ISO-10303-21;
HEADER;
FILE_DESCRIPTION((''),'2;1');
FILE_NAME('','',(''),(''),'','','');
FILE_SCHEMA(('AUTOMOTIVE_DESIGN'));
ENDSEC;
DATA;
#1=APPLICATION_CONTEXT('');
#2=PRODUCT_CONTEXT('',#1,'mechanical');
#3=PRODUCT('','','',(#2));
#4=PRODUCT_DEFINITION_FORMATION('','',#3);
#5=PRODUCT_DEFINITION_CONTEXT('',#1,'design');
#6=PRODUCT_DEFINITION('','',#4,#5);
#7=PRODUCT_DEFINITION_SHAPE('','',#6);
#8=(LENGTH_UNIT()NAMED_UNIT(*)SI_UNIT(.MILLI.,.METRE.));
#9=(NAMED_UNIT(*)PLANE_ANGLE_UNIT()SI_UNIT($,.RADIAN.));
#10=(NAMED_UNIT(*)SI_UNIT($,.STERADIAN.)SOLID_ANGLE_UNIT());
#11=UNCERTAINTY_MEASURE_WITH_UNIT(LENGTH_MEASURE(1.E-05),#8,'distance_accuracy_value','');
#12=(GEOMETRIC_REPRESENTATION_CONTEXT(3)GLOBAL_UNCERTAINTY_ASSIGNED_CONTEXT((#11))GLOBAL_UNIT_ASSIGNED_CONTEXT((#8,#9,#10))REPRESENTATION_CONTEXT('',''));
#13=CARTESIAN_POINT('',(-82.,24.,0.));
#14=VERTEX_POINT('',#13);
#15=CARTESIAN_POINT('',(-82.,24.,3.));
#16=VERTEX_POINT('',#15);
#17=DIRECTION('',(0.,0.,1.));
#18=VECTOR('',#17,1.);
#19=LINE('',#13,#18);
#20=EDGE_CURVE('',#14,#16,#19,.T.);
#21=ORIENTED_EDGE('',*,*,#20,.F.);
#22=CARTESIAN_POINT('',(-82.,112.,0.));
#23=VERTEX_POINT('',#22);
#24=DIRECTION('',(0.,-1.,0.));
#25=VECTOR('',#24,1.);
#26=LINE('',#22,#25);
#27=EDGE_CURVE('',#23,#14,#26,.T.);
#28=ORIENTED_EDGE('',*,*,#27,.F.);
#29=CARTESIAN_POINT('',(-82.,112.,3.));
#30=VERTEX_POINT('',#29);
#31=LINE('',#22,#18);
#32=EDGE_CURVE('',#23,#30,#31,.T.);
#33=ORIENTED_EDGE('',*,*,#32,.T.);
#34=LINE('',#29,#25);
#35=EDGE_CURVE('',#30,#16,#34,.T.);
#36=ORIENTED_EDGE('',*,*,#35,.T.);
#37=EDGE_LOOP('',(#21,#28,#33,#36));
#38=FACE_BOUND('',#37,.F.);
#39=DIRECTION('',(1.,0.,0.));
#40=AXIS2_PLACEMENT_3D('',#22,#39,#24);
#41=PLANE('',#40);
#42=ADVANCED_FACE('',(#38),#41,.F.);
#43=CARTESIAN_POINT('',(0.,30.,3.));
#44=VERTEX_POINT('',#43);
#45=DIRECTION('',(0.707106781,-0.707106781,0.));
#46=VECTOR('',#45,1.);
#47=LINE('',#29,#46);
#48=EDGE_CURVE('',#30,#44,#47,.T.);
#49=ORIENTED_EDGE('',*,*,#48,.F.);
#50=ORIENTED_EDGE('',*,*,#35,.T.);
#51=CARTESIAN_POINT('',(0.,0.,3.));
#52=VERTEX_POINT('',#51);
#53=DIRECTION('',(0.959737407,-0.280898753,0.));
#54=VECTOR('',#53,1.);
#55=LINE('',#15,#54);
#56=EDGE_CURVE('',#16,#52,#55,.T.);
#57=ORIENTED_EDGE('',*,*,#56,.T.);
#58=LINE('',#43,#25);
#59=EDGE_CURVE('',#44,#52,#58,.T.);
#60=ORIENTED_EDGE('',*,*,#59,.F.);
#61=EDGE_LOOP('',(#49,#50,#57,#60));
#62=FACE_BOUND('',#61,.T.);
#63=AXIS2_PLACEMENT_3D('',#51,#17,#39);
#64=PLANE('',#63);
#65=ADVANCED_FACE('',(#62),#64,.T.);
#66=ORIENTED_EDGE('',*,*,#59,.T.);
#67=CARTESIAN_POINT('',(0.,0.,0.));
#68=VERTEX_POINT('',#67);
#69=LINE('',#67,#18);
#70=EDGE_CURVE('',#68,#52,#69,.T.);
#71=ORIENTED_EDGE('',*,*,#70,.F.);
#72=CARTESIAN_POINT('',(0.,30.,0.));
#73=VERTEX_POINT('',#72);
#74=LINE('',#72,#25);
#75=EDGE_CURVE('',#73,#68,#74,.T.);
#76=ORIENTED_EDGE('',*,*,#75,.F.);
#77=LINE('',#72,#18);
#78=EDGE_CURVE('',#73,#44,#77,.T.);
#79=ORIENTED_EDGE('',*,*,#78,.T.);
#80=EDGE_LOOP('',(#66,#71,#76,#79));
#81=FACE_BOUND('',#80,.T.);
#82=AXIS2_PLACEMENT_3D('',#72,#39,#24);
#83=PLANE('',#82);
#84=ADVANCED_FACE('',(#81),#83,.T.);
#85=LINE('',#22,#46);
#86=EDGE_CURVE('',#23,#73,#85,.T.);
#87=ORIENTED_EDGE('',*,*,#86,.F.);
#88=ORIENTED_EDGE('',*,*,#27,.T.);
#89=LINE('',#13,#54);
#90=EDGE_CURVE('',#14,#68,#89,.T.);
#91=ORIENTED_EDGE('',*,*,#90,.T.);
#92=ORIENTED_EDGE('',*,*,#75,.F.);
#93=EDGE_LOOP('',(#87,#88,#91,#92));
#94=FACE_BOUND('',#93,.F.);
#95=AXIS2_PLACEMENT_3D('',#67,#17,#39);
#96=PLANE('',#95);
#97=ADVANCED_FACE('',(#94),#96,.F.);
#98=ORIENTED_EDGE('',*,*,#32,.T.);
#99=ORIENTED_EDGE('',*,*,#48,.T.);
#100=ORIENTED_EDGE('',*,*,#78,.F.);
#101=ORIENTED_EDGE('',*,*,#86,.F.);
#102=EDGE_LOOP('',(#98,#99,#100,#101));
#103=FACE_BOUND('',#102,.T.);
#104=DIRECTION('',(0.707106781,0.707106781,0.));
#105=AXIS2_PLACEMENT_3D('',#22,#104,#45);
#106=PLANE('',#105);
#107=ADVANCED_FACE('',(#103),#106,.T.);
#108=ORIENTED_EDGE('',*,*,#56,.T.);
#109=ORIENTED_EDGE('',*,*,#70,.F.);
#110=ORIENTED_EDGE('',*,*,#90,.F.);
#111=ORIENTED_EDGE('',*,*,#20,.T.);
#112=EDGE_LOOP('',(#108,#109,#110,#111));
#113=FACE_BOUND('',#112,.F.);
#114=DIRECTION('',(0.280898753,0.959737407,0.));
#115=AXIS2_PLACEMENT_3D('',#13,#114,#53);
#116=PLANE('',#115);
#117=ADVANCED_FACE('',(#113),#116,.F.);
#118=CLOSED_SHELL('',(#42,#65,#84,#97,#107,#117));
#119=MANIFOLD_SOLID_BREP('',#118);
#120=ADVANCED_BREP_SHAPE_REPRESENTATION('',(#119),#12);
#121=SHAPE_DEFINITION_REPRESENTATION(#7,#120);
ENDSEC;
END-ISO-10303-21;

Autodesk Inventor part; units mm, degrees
ref_plane "YZ Plane" through (0, 0, 0) normal (1, 0, 0) x (0, 1, 0)
ref_plane "XZ Plane" through (0, 0, 0) normal (0, 1, 0) x (-1, 0, 0)
ref_plane "XY Plane" through (0, 0, 0) normal (0, 0, 1) x (1, 0, 0)
sketch "Sketch1" plane through (0, 0, 0) normal (0, 0, 1) x (1, 0, 0)
  line L0 (-82, 112) -> (0, 30)
  line L1 (-82, 112) -> (-82, 24)
  line L2 (-82, 112) -> (-82, 24)
  line L3 (-82, 24) -> (0, 0)
  line L4 (0, 30) -> (0, 0)
  line L5 (0, 0) -> (0, 30)
  line L6 (0, 30) -> (-82, 112)
extrude "Extrusion1" add sketch "Sketch1" along normal blind 3
properties part number "Aleta2"
